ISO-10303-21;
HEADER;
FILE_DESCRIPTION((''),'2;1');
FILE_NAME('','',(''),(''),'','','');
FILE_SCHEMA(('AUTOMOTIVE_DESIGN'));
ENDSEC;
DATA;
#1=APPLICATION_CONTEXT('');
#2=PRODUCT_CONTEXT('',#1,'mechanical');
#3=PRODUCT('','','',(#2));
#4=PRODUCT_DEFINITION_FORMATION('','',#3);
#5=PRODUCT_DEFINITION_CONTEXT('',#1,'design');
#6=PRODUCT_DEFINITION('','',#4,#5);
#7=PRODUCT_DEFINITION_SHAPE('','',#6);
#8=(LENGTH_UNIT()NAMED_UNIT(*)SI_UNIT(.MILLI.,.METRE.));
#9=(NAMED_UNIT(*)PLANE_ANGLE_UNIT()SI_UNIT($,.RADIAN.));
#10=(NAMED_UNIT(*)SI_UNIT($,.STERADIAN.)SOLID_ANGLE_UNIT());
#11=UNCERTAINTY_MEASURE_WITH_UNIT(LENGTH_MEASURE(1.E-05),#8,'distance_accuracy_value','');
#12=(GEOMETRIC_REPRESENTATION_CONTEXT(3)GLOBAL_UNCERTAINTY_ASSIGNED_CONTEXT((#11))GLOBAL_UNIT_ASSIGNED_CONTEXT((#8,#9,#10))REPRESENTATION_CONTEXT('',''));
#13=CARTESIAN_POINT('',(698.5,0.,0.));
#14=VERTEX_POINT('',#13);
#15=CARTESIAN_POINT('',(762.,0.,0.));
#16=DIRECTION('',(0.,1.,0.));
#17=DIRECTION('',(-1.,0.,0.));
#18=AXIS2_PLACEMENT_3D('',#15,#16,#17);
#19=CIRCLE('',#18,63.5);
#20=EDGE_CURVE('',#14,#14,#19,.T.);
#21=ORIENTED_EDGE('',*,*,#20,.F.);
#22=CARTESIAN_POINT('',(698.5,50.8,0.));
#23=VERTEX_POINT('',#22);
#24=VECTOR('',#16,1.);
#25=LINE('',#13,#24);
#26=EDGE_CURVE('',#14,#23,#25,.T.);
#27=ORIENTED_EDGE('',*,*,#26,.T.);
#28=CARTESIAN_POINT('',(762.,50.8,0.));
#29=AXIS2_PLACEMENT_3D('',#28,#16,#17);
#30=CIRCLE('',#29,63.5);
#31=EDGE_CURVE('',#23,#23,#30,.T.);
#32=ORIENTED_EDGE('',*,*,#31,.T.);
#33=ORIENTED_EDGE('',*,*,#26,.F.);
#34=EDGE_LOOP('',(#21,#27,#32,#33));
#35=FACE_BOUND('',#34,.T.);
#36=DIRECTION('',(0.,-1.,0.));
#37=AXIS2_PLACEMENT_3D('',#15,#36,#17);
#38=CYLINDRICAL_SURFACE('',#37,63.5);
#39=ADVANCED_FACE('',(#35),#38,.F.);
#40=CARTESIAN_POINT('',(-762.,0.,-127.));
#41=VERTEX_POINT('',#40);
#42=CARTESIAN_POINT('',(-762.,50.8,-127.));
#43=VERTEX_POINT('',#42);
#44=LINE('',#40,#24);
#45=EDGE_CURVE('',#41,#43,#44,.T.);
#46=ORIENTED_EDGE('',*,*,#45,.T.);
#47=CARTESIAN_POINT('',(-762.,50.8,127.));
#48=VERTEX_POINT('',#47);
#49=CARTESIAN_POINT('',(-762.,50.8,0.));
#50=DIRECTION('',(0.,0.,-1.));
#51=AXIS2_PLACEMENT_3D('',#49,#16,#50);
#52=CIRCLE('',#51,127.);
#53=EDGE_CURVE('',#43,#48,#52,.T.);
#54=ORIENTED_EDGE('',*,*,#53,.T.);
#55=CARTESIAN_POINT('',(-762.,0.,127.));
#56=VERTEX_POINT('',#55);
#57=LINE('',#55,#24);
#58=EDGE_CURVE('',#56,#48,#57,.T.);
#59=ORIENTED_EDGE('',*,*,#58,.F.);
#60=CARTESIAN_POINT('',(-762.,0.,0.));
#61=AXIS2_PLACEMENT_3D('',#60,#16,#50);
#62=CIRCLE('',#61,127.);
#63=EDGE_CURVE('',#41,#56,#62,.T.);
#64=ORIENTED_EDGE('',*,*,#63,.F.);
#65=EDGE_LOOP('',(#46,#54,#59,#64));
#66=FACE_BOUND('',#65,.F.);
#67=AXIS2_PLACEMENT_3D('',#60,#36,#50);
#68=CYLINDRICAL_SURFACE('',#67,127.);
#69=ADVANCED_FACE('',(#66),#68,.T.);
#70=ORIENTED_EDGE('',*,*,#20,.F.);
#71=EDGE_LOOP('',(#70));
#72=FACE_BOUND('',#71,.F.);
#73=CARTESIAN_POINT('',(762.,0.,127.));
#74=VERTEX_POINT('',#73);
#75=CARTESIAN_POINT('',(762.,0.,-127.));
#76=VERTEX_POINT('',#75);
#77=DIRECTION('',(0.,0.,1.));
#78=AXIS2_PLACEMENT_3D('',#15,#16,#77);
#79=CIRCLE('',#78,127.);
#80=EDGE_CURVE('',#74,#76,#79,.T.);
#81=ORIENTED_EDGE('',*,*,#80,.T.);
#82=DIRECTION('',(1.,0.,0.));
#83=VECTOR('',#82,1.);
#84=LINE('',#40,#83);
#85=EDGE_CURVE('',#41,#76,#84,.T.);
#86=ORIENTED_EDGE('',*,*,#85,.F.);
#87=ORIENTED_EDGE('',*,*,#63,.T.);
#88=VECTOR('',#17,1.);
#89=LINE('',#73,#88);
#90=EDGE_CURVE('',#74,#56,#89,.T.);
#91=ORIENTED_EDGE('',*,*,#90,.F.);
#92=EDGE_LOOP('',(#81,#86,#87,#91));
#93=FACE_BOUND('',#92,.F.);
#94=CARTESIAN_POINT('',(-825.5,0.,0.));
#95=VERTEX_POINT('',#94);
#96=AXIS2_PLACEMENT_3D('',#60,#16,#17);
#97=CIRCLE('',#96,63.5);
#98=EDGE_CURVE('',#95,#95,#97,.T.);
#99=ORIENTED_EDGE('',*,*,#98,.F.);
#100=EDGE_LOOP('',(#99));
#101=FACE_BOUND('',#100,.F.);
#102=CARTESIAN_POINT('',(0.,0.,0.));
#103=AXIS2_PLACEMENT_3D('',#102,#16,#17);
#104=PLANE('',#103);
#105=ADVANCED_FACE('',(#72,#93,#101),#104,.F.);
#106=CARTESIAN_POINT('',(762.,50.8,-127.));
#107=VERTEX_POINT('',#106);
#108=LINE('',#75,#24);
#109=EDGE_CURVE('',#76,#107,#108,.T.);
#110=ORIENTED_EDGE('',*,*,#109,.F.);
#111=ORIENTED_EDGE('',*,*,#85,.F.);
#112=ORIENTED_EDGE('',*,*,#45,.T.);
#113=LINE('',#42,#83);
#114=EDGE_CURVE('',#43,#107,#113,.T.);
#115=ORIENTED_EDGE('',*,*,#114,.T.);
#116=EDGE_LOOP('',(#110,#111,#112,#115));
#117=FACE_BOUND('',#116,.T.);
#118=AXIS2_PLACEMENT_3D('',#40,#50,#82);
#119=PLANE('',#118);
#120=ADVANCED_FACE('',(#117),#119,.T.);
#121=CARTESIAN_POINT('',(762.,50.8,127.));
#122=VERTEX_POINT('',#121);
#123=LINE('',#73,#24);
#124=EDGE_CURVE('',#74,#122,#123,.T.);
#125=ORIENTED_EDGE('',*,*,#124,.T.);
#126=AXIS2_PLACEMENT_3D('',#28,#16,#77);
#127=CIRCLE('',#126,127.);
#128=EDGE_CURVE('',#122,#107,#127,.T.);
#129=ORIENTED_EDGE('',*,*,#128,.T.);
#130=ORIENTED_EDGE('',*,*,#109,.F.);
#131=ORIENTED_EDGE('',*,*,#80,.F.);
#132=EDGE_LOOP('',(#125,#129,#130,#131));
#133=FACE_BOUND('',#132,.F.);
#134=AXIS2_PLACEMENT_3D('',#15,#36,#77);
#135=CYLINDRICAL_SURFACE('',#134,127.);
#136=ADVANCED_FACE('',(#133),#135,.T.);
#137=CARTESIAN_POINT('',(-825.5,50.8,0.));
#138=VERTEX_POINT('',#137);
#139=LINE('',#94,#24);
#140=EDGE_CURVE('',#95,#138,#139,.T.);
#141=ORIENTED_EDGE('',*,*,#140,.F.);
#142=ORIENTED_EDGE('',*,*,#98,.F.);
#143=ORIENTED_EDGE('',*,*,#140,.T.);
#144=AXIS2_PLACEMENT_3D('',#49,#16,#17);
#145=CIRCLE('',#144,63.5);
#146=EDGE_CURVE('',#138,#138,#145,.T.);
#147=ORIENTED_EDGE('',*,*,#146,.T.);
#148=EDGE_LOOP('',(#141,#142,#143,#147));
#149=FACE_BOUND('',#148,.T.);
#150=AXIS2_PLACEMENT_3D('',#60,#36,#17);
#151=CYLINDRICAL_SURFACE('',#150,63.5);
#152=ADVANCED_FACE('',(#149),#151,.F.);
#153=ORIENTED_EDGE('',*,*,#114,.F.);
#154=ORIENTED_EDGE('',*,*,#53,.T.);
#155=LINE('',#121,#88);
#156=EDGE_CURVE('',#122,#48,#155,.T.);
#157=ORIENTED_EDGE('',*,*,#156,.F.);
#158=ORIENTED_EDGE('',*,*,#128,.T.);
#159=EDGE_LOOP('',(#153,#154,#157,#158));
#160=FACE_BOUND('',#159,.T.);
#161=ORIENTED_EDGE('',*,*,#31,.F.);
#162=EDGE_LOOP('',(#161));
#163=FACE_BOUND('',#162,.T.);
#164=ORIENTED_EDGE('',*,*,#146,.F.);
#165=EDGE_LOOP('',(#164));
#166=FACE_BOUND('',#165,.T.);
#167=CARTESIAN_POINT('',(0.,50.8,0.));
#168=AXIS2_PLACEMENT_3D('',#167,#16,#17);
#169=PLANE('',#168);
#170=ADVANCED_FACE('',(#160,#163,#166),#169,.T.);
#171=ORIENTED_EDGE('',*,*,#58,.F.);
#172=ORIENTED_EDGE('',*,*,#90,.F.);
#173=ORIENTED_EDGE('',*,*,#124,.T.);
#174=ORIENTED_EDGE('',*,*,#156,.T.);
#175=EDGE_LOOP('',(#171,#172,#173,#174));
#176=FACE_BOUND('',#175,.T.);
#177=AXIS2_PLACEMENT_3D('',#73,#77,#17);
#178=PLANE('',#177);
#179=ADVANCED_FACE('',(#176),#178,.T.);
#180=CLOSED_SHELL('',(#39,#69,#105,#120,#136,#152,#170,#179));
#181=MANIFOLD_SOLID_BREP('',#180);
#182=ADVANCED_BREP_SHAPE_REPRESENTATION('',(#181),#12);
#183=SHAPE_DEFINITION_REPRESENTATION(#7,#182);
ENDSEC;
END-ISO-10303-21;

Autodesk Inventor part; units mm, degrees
ref_plane "YZ Plane" through (0, 0, 0) normal (1, 0, 0) x (0, 1, 0)
ref_plane "XZ Plane" through (0, 0, 0) normal (0, 1, 0) x (-1, 0, 0)
ref_plane "XY Plane" through (0, 0, 0) normal (0, 0, 1) x (1, 0, 0)
sketch "Sketch1" plane through (0, 0, 0) normal (0, 1, 0) x (-1, 0, 0)
  line L0 (-762, 127) -> (762, 127)
  line L1 (762, 127) -> (762, -127) construction
  line L2 (762, -127) -> (-762, -127)
  line L3 (-762, -127) -> (-762, 127) construction
  line L4 (-762, 127) -> (762, -127) construction
  line L5 (762, 127) -> (-762, -127) construction
  arc A0 (762, -127) -> (762, 127) centre (762, 0) ccw
  arc A1 (-762, 127) -> (-762, -127) centre (-762, 0) ccw
  circle A2 centre (762, 0) radius 63.5
  circle A3 centre (-762, 0) radius 63.5
  point P0 (0, 0)
  dimension "d0" = 1524
  dimension "d1" = 254
  dimension "d2" = 127
  dimension "d3" = 127
extrude "Extrusion1" add sketch "Sketch1" along normal blind 50.8
properties part number "Output"
